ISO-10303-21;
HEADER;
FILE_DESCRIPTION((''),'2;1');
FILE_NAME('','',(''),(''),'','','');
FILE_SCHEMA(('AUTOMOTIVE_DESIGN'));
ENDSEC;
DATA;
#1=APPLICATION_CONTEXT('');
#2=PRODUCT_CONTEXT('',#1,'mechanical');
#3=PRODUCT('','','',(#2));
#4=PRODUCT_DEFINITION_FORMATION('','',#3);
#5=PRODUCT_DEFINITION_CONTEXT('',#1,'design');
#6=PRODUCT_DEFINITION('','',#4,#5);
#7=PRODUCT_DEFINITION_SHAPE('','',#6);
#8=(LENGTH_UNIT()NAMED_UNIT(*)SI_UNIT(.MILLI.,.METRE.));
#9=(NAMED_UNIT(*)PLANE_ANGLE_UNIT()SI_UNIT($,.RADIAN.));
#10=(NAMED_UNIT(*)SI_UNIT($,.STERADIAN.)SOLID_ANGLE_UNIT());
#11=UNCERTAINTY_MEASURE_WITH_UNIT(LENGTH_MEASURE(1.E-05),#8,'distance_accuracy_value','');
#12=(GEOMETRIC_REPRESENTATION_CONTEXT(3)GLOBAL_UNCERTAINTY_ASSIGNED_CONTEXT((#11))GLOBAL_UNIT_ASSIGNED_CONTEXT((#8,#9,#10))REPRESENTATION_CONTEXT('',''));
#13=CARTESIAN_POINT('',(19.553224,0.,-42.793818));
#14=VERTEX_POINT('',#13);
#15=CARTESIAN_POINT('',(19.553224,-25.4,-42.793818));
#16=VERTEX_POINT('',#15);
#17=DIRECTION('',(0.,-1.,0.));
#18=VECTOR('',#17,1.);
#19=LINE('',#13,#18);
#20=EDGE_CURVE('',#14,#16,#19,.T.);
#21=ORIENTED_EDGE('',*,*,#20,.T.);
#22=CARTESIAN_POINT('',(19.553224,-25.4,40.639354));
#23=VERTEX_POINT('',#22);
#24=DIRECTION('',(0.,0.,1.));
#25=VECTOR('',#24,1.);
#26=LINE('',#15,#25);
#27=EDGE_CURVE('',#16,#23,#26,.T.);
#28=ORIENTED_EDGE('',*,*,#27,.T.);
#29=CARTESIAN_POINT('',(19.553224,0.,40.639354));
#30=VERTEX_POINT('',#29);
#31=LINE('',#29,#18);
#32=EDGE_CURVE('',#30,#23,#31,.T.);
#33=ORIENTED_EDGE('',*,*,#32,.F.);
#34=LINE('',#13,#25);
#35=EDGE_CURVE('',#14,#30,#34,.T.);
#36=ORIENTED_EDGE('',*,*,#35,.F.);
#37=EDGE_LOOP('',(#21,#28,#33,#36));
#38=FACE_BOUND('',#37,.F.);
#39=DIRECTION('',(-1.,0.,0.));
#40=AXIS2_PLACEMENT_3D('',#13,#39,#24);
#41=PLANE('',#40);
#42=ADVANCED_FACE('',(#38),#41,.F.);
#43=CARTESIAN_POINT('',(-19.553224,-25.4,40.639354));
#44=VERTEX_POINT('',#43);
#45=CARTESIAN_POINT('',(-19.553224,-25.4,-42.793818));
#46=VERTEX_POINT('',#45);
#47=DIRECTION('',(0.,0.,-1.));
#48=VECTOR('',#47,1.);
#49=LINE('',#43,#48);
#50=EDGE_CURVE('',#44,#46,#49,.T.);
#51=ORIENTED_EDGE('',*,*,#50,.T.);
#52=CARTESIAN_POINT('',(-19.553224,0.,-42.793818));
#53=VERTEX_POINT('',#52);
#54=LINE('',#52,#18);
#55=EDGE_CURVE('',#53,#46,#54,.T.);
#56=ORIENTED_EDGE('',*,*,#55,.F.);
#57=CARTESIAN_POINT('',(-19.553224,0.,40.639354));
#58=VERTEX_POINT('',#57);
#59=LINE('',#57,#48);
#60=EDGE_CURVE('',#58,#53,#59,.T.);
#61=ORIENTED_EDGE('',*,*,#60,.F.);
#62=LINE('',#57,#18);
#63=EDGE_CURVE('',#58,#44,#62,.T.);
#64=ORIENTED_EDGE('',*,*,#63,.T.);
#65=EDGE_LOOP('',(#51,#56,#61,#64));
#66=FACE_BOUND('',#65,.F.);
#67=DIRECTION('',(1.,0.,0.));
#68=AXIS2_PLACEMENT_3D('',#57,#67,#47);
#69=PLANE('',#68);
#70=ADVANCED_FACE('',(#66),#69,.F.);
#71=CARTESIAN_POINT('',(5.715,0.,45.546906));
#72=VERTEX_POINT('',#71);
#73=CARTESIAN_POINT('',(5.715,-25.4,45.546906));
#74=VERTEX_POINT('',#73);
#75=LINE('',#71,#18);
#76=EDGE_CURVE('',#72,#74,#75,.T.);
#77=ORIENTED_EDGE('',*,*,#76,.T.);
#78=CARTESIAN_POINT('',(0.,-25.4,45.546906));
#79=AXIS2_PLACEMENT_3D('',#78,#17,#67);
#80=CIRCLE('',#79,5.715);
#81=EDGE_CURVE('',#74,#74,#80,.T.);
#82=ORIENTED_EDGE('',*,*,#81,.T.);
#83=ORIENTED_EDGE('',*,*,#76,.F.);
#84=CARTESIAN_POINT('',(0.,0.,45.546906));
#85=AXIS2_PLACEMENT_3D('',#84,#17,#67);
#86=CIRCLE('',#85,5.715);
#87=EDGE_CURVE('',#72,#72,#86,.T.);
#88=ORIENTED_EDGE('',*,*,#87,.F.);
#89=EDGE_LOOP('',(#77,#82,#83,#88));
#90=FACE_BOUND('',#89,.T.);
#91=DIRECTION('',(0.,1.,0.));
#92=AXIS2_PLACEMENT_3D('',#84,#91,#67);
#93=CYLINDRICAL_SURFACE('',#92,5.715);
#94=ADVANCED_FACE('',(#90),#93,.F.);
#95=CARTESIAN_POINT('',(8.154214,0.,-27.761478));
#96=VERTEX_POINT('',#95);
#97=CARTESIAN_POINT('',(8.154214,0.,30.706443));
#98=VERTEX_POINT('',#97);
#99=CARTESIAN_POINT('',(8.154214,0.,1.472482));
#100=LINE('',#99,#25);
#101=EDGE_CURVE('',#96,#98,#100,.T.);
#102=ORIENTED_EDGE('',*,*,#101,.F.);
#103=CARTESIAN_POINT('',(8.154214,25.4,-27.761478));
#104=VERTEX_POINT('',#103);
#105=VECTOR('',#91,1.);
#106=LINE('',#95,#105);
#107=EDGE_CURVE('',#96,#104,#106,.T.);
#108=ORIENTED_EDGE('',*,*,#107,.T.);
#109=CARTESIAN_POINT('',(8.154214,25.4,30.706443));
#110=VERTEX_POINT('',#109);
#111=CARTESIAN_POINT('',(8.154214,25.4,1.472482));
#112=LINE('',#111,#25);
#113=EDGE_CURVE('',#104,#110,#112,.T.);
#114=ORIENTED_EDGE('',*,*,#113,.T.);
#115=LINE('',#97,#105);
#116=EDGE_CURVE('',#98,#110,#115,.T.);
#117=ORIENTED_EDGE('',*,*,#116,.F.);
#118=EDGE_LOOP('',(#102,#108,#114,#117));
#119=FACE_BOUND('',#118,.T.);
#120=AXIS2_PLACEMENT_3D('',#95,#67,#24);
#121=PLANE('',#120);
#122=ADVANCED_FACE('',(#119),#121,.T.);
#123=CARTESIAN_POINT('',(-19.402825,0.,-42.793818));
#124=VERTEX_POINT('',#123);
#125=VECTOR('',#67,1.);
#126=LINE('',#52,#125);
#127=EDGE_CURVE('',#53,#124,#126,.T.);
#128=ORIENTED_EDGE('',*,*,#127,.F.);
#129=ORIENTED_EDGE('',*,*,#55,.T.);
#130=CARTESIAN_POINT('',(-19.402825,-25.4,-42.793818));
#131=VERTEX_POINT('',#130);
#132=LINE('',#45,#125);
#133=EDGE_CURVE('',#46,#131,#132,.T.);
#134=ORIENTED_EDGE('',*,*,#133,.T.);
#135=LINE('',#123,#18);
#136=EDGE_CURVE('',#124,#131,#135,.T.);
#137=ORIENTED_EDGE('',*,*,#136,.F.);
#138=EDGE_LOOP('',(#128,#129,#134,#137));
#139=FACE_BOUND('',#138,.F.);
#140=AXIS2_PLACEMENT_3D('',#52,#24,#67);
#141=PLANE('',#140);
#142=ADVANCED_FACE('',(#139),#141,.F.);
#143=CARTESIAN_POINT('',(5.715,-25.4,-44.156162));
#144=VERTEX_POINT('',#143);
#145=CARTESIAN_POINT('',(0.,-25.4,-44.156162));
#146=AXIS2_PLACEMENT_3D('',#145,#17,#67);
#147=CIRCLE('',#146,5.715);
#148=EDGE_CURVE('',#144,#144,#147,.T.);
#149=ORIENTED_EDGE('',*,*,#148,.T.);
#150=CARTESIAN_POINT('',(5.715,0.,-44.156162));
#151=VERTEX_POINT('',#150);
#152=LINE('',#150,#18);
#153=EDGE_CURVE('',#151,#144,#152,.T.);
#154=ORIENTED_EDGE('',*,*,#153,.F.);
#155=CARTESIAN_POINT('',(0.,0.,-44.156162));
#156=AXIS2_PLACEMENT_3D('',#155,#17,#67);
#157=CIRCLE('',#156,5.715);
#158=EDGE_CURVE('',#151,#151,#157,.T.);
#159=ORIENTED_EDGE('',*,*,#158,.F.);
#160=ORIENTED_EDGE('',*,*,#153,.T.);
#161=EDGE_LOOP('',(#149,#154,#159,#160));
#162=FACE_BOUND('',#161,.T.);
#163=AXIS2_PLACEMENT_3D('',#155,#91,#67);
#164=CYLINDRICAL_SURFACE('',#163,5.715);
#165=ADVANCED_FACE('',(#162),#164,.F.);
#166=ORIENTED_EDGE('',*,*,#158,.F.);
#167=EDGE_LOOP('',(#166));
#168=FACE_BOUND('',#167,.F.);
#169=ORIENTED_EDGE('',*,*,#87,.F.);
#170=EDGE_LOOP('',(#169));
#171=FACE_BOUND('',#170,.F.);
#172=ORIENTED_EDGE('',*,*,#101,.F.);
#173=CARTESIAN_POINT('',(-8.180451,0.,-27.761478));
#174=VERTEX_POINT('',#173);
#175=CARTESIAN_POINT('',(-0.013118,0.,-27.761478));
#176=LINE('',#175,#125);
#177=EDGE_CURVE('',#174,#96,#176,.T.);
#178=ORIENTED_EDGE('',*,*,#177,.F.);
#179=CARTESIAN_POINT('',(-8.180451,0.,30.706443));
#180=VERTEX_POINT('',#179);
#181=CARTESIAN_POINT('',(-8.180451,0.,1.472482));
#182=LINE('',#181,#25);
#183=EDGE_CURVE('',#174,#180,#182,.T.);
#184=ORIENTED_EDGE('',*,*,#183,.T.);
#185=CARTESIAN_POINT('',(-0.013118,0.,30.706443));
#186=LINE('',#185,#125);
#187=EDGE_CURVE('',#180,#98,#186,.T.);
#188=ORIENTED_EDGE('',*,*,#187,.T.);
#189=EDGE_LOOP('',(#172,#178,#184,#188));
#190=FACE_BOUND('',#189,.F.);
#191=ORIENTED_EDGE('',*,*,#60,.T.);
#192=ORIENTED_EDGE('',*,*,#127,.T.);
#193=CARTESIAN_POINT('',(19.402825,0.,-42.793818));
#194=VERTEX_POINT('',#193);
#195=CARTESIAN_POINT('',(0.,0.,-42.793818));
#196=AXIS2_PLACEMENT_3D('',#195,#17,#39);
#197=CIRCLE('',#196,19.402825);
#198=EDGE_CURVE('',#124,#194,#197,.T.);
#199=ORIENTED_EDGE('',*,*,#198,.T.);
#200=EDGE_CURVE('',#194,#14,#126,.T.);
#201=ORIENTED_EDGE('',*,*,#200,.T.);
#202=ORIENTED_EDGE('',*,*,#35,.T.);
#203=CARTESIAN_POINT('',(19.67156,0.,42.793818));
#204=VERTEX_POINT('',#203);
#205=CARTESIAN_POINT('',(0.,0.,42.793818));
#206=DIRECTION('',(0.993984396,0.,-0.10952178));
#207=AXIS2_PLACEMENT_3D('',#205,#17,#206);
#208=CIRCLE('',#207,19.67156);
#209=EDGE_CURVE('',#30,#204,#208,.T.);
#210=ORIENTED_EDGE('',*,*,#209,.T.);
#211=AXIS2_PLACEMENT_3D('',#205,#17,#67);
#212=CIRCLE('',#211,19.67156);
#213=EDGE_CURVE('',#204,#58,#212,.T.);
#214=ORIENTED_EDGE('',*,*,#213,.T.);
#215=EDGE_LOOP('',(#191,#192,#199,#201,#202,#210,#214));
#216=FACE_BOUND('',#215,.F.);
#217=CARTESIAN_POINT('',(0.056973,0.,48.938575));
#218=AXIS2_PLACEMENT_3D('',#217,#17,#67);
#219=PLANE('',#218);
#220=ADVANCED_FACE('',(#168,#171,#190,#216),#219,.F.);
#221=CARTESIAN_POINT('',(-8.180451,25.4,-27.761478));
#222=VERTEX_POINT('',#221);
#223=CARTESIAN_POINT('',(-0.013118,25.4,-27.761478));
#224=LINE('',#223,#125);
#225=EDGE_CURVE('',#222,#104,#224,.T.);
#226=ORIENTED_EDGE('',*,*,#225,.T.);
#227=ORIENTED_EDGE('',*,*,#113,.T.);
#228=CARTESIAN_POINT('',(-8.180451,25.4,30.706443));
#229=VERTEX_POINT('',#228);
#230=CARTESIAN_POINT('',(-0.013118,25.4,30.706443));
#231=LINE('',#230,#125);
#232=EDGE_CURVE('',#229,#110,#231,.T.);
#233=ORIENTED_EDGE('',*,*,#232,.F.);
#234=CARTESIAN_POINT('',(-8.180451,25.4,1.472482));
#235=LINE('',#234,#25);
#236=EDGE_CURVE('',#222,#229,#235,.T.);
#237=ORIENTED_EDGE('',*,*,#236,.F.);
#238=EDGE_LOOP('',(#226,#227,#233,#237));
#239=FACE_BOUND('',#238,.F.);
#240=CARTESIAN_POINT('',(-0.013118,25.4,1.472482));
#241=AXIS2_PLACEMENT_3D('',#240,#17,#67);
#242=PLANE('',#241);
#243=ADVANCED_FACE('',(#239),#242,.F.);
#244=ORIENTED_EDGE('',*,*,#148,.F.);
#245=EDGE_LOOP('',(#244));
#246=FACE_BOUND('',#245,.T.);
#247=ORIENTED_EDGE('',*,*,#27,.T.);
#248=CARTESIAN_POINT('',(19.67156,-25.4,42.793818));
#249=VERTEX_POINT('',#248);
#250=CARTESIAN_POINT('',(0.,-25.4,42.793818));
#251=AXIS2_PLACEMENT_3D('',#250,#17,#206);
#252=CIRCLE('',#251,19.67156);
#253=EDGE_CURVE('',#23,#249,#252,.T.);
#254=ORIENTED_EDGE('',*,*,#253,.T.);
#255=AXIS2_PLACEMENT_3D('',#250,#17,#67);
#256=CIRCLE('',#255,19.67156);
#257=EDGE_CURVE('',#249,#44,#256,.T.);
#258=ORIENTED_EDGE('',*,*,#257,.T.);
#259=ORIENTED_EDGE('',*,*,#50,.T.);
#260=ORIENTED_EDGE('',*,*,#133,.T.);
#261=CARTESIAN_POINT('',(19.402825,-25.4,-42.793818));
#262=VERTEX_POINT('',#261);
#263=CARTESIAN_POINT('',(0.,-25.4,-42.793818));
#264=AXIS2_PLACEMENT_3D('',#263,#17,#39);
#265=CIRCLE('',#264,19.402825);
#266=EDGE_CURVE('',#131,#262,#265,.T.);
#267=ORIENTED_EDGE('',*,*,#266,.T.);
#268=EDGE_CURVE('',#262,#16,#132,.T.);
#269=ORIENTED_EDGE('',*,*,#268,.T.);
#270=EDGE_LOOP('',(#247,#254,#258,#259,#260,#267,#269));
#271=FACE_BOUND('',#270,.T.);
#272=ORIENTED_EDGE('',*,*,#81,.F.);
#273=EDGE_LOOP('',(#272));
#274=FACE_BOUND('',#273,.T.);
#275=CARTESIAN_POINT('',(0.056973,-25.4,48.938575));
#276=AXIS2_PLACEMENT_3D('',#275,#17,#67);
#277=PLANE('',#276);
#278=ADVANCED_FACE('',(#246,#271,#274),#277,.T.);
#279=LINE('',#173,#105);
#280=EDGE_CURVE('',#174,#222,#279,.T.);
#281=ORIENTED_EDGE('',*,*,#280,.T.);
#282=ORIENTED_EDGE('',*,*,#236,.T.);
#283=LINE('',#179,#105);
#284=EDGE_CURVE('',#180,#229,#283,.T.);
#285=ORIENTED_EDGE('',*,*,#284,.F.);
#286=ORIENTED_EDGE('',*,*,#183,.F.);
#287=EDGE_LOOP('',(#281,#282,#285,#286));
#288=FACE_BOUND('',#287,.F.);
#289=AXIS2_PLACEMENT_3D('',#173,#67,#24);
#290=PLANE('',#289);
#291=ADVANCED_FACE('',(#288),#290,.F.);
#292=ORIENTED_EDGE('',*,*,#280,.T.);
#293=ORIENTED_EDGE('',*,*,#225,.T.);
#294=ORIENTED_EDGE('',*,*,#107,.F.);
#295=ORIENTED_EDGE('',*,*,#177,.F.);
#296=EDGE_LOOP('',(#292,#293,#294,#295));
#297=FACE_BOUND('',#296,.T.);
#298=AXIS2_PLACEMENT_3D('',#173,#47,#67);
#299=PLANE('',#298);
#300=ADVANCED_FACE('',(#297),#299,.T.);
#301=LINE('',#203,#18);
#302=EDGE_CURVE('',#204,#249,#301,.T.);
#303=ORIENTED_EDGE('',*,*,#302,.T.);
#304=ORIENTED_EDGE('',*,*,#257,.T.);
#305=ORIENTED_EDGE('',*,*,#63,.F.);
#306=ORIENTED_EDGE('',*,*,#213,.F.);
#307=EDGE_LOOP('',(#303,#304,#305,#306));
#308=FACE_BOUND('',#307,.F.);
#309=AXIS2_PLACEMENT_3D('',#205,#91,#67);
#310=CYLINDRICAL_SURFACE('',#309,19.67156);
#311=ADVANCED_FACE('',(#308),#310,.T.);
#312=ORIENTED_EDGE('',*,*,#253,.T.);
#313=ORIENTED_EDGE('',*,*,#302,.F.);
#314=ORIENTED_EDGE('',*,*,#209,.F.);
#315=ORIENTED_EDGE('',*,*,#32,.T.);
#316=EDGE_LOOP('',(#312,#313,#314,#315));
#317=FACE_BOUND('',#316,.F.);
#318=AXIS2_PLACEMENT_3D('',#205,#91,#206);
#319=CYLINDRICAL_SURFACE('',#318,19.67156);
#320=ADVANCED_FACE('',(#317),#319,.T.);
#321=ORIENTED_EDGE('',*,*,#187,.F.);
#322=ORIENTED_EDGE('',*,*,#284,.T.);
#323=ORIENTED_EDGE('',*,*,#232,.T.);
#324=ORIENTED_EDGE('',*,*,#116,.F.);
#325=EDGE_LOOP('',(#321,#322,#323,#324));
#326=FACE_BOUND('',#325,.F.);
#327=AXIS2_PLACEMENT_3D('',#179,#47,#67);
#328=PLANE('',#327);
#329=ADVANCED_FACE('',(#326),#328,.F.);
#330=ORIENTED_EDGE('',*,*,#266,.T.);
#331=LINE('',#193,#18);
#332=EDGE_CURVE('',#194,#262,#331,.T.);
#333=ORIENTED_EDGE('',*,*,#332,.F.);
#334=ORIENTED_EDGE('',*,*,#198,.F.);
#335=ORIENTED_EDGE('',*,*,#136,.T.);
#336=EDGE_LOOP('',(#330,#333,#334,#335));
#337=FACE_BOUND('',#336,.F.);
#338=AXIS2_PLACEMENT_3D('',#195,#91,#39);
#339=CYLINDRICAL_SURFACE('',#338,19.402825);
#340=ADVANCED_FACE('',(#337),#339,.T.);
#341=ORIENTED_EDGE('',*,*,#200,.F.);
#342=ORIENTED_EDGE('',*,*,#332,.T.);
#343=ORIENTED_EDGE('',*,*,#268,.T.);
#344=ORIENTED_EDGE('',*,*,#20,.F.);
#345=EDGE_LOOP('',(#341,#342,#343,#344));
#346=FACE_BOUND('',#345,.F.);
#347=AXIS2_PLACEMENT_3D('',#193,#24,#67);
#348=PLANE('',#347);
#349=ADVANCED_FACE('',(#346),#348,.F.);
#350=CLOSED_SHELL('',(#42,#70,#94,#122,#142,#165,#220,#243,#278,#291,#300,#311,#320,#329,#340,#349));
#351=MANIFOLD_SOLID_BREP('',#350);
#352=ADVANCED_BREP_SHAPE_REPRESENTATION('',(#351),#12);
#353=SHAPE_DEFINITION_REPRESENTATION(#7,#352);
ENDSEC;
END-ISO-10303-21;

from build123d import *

# Parameters (mm, degrees)
F1_DEPTH = 25.4
F2_R     = 5.715
F3_DEPTH = 25.4
F4_W     = 16.3346650079
F4_H     = 58.4679208696
F5_DEPTH = 25.4


with BuildPart() as f1:
    # F0 (on Front) → F1 (new body)
    with BuildSketch(Plane.XZ):
        with BuildLine():
            Line((-19.5532236248, 40.6393535502), (-19.5532236248, 42.7938178182))
            Line((-19.5532236248, 42.7938178182), (19.5532236248, 42.7938178182))
            Line((19.5532236248, 42.7938178182), (19.5532236248, 40.6393535502))
            ThreePointArc((19.5532236248, 40.6393535502), (19.6419535806, 41.7149619699), (19.6715599383, 42.7938178182))
            ThreePointArc((19.6715599383, 42.7938178182), (-1.0788558483, 62.4357713988), (-19.5532236248, 40.6393535502))
        make_face()
        with BuildLine():
            Line((19.5532236248, 42.7938178182), (-19.5532236248, 42.7938178182))
            Line((-19.5532236248, 42.7938178182), (-19.5532236248, 40.6393535502))
            ThreePointArc((-19.5532236248, 40.6393535502), (0, 23.1222578799), (19.5532236248, 40.6393535502))
            Line((19.5532236248, 40.6393535502), (19.5532236248, 42.7938178182))
        make_face()
        with BuildLine():
            ThreePointArc((19.5532236248, 40.6393535502), (0, 23.1222578799), (-19.5532236248, 40.6393535502))
            Line((-19.5532236248, 40.6393535502), (-19.5532236248, -42.7938178182))
            Line((-19.5532236248, -42.7938178182), (-19.4028248978, -42.7938178182))
            ThreePointArc((-19.4028248978, -42.7938178182), (0, -23.3909929204), (19.4028248978, -42.7938178182))
            Line((19.4028248978, -42.7938178182), (19.5532236248, -42.7938178182))
            Line((19.5532236248, -42.7938178182), (19.5532236248, 40.6393535502))
        make_face()
        with BuildLine():
            ThreePointArc((19.4028248978, -42.7938178182), (0, -23.3909929204), (-19.4028248978, -42.7938178182))
            Line((-19.4028248978, -42.7938178182), (19.4028248978, -42.7938178182))
        make_face()
        with BuildLine():
            Line((19.4028248978, -42.7938178182), (-19.4028248978, -42.7938178182))
            ThreePointArc((-19.4028248978, -42.7938178182), (0, -62.196642716), (19.4028248978, -42.7938178182))
        make_face()
    extrude(amount=F1_DEPTH)

    # F2 (on Front) → F3 (cut)
    with BuildSketch(Plane.XZ):
        with Locations((0, 45.5469058133)):
            Circle(F2_R)
        with Locations((0, -44.1561616667)):
            Circle(F2_R)
    extrude(amount=F3_DEPTH, mode=Mode.SUBTRACT)

    # F4 (on Front) → F5 (join)
    with BuildSketch(Plane.XZ):
        with Locations((-0.0131181441, 1.4724824578)):
            Rectangle(F4_W, F4_H)
    extrude(amount=-F5_DEPTH)


solid = f1.part
